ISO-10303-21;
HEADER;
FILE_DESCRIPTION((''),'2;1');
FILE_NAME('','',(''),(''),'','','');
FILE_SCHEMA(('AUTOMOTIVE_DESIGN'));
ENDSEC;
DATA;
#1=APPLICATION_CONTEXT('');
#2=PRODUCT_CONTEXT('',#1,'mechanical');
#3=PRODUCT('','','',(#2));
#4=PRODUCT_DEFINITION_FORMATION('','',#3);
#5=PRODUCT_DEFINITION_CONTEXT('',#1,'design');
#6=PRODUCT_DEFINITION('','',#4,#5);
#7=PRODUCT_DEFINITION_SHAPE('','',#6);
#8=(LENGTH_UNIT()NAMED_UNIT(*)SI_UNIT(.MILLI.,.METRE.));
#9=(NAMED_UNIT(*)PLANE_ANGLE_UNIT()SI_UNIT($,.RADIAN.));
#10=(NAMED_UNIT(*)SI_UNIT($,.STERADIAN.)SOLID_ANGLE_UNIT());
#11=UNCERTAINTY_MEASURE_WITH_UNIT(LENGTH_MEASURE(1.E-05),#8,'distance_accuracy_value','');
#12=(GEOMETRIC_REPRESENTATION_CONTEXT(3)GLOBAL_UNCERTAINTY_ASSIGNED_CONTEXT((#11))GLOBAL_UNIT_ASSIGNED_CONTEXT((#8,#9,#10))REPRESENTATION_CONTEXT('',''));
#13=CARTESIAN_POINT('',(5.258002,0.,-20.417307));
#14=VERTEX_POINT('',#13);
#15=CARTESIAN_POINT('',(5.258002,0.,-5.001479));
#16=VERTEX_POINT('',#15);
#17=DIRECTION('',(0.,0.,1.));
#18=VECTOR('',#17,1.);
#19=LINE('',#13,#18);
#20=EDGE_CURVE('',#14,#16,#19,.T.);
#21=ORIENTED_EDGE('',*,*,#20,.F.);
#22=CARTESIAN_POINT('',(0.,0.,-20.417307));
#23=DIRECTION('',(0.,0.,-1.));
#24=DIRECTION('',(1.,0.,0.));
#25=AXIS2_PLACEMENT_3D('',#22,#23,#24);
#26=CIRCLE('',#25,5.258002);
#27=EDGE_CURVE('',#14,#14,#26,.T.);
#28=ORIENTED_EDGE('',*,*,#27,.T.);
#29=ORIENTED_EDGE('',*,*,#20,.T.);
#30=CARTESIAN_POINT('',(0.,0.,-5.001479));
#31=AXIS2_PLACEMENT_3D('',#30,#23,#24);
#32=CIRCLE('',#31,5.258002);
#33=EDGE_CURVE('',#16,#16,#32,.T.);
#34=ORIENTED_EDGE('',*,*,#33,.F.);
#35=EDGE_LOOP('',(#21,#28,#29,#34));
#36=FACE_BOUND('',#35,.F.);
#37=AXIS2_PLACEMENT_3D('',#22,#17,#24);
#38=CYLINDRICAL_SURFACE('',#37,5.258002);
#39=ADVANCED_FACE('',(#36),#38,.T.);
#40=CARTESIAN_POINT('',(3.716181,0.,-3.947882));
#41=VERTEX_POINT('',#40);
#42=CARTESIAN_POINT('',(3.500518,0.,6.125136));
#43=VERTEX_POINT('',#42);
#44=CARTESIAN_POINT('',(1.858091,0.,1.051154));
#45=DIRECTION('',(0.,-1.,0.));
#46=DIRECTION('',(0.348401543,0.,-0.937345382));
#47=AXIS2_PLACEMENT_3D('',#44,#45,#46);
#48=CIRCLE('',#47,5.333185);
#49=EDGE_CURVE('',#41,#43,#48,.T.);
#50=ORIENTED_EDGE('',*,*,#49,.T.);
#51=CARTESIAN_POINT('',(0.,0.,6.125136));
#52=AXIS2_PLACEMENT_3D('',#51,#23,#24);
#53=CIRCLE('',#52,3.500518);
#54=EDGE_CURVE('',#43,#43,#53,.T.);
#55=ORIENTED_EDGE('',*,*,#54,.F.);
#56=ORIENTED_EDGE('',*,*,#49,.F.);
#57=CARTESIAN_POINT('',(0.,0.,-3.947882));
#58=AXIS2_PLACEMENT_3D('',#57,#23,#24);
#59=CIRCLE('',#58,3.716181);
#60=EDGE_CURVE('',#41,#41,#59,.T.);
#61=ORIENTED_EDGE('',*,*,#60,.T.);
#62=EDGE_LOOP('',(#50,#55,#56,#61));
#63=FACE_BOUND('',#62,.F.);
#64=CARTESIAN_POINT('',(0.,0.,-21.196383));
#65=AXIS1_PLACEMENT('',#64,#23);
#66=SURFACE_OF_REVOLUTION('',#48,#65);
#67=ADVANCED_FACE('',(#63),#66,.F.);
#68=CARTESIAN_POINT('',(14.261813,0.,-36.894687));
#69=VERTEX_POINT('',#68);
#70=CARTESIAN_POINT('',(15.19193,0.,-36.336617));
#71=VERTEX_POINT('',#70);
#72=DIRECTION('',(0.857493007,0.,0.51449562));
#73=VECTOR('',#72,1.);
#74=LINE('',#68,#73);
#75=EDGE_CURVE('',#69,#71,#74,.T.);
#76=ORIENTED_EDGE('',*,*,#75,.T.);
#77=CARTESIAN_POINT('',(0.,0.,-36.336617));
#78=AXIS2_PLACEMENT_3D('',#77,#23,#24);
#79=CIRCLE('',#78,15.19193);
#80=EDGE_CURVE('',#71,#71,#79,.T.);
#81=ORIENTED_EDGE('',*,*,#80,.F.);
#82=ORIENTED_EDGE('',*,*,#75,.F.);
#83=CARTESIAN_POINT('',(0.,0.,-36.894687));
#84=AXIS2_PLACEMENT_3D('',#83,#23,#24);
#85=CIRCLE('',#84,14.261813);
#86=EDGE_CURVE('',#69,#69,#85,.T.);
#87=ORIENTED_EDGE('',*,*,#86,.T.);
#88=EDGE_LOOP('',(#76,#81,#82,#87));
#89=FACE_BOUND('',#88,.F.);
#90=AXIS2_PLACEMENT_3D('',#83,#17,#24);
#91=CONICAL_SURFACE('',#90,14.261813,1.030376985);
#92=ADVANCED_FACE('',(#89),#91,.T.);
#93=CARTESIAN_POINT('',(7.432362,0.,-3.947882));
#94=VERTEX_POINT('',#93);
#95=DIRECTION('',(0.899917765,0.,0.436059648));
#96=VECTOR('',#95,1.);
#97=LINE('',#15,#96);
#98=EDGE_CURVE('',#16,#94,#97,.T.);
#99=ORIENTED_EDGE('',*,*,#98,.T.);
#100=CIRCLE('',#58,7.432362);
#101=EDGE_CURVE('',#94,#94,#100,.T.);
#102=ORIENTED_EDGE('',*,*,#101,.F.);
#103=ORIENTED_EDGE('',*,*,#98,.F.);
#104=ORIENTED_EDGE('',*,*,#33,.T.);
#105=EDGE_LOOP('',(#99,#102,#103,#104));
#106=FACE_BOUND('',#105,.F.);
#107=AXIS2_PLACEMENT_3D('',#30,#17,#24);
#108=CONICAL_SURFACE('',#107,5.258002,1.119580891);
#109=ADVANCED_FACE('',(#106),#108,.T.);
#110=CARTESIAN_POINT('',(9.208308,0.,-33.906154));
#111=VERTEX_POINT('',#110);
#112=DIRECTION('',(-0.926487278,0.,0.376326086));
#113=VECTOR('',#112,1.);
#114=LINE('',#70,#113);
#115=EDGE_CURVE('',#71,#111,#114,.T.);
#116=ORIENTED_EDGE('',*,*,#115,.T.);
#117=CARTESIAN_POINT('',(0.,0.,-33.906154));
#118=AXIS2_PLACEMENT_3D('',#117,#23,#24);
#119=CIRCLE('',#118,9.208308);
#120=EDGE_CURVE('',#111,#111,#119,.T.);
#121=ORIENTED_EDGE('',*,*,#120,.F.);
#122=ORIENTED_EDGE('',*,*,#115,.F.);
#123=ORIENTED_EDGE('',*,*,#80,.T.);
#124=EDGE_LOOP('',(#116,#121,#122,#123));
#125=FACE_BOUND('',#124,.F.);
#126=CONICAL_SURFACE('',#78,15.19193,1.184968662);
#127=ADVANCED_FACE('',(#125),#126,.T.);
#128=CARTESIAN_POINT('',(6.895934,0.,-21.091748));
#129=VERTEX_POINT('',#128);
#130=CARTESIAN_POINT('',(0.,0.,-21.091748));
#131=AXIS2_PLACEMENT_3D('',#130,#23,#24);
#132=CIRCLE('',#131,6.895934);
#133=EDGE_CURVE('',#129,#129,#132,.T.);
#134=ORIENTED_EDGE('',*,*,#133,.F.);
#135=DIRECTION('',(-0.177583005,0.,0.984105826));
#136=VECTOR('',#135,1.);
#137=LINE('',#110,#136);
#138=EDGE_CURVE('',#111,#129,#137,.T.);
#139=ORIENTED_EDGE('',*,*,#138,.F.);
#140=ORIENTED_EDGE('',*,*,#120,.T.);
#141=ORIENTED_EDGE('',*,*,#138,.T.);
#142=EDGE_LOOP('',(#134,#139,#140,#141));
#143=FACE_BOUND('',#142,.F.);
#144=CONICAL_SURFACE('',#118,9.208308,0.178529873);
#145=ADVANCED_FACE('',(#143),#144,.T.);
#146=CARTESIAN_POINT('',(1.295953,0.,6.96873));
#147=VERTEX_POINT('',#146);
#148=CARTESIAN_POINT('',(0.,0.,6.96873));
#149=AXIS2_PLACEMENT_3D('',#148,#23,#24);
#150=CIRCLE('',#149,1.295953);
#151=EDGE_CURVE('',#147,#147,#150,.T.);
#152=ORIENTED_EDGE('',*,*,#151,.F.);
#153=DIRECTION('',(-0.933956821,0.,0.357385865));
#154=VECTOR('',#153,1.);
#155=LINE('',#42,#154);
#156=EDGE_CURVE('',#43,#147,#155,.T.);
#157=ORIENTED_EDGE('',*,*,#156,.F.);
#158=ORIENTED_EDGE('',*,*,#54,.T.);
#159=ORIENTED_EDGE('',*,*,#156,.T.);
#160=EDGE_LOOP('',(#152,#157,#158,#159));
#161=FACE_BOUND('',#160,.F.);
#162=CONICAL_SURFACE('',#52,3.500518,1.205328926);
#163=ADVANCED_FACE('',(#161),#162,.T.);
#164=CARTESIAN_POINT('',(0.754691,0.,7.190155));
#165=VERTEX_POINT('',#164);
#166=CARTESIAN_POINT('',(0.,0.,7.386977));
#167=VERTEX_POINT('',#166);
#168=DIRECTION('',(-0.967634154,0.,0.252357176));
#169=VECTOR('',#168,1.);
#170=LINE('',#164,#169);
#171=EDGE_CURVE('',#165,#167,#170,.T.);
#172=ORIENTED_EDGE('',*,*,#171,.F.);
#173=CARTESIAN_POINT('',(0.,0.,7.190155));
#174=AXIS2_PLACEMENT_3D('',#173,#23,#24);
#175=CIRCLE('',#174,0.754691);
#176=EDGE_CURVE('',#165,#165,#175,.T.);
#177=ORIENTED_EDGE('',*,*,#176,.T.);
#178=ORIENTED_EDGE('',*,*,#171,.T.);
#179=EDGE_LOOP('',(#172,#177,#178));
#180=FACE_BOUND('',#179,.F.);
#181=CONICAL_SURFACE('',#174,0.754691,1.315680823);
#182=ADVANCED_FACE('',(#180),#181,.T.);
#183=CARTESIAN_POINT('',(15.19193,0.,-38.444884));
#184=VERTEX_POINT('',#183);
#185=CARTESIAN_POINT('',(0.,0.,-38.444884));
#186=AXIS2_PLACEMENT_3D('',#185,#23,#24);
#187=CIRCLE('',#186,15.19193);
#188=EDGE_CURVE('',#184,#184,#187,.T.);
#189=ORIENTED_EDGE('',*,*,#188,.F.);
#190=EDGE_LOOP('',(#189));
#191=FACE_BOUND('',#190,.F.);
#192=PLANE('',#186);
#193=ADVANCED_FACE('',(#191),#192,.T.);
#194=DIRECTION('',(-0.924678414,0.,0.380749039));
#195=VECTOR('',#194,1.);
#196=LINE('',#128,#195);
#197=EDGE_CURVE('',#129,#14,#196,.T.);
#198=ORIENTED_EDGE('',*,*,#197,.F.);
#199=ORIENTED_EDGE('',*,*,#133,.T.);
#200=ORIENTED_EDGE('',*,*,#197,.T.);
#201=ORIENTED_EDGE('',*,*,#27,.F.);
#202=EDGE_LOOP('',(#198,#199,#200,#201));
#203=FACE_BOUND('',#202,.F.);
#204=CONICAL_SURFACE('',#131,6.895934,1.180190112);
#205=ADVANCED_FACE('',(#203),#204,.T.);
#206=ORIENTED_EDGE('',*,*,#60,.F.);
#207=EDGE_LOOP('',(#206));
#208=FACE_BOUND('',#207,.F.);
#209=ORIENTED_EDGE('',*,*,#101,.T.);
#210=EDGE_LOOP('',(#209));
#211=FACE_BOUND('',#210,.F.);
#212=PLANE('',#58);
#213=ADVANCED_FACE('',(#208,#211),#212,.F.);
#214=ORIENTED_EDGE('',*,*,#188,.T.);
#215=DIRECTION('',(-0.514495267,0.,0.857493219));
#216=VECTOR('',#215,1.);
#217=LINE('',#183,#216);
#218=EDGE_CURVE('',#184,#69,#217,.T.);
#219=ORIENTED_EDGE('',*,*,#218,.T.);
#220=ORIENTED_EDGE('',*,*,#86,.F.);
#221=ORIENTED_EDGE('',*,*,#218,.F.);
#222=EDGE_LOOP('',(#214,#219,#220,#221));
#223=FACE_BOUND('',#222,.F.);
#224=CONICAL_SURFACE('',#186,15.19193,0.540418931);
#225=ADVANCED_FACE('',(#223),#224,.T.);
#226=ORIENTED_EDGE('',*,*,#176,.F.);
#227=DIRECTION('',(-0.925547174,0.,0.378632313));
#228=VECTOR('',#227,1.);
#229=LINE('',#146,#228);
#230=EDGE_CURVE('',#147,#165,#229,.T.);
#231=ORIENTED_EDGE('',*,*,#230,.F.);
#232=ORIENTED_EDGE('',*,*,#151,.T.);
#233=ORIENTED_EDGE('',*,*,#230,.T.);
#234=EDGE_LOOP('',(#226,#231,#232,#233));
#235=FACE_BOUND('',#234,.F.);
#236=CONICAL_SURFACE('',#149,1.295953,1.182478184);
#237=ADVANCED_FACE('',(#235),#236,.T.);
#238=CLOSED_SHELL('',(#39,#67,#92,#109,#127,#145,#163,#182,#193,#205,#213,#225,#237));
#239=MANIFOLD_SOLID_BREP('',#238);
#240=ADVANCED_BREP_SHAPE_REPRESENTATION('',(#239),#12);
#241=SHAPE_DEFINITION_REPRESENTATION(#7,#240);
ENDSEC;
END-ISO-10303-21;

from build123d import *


with BuildPart() as f1:
    # F0 (on Front) → F1 (revolve)
    with BuildSketch(Plane.XZ):
        with BuildLine():
            Line((0, 6.05019), (0, -3.947882))
            Line((0, -3.947882), (3.716181, -3.947882))
            ThreePointArc((3.716181, -3.947882), (7.190054, 1.165311), (3.500518, 6.125136))
            ThreePointArc((3.500518, 6.125136), (1.743933, 6.383117), (0, 6.05019))
        make_face()
        with BuildLine():
            Line((0, 7.386977), (0, 6.05019))
            ThreePointArc((0, 6.05019), (1.743933, 6.383117), (3.500518, 6.125136))
            Line((3.500518, 6.125136), (1.295953, 6.96873))
            Line((1.295953, 6.96873), (0.754691, 7.190155))
            Line((0.754691, 7.190155), (0, 7.386977))
        make_face()
        Polygon((0, -3.947882), (0, -38.444884), (15.19193, -38.444884), (14.261813, -36.894687), (15.19193, -36.336617), (9.208308, -33.906154), (6.895934, -21.091748), (5.258002, -20.417307), (5.258002, -5.001479), (7.432362, -3.947882), (3.716181, -3.947882), align=None)
    revolve(axis=Axis((0, 0, -21.196383), (0, 0, -1)))


solid = f1.part
